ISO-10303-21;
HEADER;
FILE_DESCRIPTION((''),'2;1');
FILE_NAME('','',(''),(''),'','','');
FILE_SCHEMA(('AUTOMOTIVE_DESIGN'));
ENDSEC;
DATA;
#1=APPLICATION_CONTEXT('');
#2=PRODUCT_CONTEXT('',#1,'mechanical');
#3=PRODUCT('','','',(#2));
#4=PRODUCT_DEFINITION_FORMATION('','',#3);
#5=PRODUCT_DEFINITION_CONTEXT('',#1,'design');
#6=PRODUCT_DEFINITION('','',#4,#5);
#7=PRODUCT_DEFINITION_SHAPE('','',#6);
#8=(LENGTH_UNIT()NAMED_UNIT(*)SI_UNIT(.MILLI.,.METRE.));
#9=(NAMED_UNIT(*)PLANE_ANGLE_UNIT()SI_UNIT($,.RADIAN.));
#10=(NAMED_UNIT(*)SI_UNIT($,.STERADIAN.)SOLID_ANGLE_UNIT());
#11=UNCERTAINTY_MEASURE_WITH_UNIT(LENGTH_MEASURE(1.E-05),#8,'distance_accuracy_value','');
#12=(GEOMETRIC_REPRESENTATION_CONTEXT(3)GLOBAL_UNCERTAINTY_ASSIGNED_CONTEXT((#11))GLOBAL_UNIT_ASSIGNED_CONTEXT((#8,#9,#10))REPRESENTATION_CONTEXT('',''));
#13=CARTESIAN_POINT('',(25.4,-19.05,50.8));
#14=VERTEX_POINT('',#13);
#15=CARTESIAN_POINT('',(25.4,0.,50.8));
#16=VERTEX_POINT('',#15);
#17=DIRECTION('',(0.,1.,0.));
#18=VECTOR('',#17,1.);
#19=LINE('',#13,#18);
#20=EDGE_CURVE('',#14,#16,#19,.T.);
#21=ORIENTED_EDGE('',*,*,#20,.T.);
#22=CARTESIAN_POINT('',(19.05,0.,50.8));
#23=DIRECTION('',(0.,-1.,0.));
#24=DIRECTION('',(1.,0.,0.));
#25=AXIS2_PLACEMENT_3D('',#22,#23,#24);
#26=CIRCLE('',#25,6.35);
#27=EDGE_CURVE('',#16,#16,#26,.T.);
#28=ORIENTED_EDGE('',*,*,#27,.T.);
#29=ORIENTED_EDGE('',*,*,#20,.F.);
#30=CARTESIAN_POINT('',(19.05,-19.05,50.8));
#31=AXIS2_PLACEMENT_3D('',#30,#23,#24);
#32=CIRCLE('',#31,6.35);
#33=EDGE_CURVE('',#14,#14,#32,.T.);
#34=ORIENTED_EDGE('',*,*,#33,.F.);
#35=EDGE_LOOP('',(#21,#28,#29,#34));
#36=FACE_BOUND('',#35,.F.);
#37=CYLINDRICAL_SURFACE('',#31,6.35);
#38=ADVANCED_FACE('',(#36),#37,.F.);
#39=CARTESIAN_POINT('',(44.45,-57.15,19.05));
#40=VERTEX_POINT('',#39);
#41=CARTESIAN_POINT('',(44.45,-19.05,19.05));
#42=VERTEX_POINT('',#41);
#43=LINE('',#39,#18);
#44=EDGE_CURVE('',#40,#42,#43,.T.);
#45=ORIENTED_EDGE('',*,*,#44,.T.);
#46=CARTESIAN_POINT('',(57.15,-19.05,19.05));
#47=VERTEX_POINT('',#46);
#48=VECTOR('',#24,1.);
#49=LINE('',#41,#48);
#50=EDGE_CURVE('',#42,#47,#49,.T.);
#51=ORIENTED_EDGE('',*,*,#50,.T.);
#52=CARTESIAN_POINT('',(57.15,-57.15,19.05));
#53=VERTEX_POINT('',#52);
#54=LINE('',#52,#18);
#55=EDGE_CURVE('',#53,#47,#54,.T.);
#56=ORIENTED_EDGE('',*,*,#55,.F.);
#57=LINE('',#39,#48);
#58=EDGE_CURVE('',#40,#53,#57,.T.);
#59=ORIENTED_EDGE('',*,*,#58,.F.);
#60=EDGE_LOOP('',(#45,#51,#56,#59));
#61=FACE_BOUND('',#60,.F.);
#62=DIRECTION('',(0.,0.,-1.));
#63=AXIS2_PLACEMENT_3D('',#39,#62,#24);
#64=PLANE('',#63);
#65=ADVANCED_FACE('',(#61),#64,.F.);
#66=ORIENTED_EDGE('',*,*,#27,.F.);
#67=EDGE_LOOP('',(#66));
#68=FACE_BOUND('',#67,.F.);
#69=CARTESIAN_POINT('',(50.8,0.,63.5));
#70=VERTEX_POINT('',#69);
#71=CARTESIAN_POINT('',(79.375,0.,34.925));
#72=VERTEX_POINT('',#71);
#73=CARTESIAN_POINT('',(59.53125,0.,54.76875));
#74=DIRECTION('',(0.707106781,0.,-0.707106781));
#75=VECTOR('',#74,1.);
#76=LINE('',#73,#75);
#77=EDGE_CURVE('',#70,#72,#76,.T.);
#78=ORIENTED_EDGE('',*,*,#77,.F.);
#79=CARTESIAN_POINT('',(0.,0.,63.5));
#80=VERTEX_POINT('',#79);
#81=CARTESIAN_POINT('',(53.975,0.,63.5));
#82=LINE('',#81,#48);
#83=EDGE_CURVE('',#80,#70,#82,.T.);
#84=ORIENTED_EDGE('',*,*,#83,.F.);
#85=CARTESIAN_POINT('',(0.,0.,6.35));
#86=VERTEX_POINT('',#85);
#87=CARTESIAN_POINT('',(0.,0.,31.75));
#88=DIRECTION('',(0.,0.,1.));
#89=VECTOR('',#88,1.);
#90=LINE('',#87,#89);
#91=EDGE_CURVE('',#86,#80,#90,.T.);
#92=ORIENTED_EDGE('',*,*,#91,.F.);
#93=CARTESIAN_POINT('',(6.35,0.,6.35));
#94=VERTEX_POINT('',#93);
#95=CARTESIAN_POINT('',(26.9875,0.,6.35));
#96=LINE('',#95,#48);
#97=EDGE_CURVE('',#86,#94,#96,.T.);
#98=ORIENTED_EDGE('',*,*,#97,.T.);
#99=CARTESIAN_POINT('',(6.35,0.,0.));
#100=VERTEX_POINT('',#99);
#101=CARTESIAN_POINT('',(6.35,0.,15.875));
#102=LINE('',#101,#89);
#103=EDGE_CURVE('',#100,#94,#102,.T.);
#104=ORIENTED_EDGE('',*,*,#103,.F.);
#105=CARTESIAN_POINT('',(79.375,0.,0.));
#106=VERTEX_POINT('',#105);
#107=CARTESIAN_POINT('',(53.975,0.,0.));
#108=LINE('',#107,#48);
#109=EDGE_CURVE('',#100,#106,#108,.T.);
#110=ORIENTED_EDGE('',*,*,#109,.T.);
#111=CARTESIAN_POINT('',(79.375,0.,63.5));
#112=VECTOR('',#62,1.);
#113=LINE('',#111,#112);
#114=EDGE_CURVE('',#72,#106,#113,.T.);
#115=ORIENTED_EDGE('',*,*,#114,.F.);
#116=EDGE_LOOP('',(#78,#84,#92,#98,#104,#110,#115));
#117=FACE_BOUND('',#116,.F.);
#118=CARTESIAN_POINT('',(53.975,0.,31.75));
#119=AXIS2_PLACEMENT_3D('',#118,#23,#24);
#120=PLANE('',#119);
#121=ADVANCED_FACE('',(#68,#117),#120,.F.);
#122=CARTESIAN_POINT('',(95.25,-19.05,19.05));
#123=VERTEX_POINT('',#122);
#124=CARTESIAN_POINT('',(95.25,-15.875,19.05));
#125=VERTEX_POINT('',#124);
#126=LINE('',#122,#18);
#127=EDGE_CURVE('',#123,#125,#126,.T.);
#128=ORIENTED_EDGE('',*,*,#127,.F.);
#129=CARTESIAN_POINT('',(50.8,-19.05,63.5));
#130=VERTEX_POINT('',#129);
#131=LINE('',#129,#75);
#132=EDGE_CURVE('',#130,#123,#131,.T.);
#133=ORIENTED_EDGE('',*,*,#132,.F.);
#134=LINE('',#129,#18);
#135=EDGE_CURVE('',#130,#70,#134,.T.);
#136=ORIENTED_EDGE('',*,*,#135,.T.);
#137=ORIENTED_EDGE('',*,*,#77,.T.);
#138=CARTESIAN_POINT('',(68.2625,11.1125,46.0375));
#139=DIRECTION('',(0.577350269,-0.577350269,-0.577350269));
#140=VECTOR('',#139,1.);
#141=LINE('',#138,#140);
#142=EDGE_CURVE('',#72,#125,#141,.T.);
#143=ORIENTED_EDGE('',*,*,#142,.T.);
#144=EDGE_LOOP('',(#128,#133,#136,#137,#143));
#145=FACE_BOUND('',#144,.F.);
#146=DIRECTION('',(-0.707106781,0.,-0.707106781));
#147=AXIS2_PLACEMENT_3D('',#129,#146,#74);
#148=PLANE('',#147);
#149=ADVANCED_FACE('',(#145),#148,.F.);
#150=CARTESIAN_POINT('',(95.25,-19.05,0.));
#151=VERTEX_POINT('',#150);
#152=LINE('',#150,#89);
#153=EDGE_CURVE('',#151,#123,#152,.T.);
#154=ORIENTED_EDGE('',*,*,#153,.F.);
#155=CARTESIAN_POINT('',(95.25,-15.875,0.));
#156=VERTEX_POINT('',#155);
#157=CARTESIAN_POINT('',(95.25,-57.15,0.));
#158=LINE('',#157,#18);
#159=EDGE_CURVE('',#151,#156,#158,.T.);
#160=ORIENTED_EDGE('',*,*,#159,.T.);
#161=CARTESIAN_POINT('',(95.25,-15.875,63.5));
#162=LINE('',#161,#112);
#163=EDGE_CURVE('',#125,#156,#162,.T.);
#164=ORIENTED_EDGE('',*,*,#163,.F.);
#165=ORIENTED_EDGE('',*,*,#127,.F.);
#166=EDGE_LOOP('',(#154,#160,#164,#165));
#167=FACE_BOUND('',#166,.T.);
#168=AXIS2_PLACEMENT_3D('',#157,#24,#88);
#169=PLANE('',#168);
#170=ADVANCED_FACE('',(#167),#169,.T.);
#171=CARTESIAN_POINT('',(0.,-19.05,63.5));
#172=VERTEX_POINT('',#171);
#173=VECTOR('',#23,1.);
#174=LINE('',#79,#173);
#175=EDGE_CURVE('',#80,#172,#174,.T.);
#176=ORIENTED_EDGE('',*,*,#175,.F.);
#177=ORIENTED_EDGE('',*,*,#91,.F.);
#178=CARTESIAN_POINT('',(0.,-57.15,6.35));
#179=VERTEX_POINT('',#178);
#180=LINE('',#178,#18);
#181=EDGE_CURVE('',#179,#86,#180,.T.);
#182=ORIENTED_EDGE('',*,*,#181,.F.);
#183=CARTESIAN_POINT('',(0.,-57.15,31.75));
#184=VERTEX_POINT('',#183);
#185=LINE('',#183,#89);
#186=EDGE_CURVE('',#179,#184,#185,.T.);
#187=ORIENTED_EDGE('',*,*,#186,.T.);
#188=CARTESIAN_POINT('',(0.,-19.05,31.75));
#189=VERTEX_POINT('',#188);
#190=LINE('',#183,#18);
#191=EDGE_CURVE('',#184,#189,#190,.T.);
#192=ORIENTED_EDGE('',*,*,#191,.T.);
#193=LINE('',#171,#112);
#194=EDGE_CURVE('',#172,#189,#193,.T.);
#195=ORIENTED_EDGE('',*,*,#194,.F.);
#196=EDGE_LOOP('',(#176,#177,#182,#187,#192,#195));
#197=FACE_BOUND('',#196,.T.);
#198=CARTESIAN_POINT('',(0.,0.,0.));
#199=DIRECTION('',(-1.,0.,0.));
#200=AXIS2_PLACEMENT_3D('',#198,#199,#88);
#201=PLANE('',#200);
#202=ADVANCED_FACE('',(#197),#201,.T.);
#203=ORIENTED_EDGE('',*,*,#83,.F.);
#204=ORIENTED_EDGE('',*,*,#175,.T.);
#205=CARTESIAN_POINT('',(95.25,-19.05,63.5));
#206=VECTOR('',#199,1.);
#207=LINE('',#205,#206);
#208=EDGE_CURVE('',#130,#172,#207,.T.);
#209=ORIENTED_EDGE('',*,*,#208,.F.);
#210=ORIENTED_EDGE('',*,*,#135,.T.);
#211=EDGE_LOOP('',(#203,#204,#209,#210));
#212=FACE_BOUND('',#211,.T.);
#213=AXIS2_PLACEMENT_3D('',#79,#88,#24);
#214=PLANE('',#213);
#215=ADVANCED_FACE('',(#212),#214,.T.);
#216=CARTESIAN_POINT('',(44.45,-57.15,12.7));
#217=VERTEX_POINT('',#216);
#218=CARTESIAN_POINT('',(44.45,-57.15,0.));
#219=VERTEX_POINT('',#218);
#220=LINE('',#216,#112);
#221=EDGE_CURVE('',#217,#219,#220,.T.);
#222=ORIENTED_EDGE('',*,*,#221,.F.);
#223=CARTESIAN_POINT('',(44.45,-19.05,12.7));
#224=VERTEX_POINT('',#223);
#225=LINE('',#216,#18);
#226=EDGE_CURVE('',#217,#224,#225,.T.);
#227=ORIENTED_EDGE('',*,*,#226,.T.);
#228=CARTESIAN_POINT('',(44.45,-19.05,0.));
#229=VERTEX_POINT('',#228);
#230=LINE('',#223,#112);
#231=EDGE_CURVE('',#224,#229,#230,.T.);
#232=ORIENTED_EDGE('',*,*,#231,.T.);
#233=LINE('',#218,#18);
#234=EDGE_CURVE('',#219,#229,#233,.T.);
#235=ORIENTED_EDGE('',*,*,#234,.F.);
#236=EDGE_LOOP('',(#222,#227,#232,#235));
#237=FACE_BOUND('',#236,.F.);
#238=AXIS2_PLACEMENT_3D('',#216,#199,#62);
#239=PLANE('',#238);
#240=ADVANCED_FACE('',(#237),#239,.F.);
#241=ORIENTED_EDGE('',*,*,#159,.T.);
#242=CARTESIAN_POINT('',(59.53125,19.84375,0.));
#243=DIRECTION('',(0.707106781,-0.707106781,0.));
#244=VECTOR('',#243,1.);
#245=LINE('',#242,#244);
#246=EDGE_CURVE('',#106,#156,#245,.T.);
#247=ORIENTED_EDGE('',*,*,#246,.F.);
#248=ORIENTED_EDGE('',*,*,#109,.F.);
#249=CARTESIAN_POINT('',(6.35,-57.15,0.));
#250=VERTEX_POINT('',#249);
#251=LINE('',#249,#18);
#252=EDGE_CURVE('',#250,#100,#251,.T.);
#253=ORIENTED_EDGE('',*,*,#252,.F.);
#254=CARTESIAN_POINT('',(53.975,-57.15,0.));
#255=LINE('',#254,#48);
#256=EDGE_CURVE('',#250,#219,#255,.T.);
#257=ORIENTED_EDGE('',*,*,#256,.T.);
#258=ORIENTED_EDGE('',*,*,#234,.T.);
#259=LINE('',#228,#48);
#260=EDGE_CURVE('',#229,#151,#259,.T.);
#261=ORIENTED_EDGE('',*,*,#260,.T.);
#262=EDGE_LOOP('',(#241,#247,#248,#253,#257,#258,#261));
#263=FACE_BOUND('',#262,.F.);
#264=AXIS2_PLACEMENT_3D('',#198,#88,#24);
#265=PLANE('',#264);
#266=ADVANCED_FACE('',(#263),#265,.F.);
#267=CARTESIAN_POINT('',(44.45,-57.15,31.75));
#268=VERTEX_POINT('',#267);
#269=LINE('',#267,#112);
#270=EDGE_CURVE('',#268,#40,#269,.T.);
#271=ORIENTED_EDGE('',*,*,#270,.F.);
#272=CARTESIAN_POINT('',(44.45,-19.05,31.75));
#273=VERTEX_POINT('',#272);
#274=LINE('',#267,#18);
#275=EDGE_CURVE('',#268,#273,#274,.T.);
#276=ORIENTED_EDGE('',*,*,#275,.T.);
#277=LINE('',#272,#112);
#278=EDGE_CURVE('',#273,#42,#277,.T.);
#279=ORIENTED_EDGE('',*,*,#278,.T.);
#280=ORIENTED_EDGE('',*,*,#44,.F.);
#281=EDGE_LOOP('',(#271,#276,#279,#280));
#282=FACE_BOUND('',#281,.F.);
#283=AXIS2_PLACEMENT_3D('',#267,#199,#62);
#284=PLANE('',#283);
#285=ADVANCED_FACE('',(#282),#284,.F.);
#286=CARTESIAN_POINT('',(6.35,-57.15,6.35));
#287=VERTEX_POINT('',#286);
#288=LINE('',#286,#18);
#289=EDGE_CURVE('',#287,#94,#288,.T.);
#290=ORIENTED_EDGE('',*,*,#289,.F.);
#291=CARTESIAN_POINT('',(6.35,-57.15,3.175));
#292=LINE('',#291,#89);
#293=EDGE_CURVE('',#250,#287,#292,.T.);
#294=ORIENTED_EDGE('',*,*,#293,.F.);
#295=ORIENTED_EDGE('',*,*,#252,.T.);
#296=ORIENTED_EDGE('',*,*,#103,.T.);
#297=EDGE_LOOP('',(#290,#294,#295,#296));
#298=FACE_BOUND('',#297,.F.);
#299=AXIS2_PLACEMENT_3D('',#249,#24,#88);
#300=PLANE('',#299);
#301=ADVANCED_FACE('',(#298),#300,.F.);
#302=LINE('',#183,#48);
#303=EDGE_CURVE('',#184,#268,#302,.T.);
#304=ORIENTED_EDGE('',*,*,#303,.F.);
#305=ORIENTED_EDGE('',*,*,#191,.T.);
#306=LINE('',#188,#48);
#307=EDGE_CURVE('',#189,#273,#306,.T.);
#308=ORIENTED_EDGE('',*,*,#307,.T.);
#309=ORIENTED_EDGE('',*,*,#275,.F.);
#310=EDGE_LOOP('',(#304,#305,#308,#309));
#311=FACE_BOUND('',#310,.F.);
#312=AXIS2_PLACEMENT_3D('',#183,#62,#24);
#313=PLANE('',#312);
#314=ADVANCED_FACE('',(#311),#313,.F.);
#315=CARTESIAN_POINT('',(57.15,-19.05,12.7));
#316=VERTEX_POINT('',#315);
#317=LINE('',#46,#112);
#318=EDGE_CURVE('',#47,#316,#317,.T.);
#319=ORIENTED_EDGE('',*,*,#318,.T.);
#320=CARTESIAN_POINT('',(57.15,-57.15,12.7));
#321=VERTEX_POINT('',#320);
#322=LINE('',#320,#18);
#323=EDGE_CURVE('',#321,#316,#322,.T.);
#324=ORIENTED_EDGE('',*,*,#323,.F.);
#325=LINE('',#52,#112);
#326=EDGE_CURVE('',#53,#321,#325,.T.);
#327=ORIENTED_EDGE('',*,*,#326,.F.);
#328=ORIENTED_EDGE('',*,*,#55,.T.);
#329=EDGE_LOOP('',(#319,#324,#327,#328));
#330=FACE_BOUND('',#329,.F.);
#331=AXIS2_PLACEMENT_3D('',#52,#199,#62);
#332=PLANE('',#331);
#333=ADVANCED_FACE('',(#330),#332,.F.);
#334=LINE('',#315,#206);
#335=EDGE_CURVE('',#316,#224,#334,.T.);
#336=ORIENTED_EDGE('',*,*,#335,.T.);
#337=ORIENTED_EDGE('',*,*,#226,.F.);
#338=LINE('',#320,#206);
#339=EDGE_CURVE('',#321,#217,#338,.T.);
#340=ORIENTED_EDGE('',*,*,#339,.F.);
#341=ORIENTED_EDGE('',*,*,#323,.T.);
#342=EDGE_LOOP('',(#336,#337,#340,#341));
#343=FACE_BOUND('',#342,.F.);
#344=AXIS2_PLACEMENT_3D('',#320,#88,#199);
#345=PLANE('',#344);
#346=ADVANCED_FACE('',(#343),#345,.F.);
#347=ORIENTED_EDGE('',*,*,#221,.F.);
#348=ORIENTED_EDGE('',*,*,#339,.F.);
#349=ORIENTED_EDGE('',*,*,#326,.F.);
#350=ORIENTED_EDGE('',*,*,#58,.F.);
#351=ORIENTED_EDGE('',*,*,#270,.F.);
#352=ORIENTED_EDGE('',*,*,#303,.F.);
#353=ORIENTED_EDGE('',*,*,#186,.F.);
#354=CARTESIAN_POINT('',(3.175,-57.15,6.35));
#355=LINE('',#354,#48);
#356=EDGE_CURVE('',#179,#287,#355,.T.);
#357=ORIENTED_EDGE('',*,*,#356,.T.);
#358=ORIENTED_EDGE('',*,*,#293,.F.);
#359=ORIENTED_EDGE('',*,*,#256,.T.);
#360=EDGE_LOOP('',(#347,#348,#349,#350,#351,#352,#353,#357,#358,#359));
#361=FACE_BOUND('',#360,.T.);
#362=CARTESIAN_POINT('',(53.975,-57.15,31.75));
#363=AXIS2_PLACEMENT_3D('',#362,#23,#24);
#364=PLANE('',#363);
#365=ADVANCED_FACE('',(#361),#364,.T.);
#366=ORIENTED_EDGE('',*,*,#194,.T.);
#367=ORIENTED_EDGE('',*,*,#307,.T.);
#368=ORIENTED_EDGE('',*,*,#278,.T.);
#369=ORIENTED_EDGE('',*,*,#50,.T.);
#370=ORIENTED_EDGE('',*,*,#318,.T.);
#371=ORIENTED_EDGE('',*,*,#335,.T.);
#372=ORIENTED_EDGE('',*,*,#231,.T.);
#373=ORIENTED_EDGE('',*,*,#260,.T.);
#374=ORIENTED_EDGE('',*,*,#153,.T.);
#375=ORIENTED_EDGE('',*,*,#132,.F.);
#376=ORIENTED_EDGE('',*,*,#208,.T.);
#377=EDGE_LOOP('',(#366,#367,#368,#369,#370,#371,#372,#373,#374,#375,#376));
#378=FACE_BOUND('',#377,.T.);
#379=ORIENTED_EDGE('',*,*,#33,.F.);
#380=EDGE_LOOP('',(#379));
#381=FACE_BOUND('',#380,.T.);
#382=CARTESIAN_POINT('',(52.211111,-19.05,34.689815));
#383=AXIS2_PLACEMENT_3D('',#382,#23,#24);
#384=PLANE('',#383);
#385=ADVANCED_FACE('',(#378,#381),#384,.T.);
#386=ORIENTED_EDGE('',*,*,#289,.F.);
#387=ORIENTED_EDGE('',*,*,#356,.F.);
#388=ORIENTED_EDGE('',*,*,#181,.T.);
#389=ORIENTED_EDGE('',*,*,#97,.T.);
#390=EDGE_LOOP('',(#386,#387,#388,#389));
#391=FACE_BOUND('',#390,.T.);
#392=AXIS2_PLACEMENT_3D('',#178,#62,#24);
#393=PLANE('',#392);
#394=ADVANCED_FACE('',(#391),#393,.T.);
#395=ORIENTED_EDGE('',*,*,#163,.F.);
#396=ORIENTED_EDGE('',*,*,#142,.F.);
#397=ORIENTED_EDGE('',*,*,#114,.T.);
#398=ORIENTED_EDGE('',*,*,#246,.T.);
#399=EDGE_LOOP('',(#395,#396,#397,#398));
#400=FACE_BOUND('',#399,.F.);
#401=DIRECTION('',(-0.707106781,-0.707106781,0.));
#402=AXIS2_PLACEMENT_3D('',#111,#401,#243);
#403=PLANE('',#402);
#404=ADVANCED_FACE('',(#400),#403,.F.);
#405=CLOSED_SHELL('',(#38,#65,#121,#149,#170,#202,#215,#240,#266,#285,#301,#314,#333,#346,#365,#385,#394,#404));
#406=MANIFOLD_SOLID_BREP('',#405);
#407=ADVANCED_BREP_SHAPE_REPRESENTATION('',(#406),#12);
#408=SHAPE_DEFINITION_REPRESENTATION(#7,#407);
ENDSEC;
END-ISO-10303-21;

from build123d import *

# Parameters (mm, degrees)
F0_W      = 107.95
F0_H      = 63.5
F1_DEPTH  = 57.15
F2_W      = 6.35
F2_H      = 6.35
F3_DEPTH  = 57.151
F4_W      = 12.7
F4_H      = 63.5
F5_DEPTH  = 57.151
F7_DEPTH  = 63.501
F9_DEPTH  = 38.1
F11_DEPTH = 25.4
F12_R     = 6.35
F13_DEPTH = 25.4


with BuildPart() as f1:
    # F0 (on Front) → F1 (new body)
    with BuildSketch(Plane.XZ):
        with Locations((53.975, 31.75)):
            Rectangle(F0_W, F0_H)
    extrude(amount=F1_DEPTH)

    # F2 (on face) → F3 (cut, through all)
    with BuildSketch(Plane.XZ.offset(57.15)):
        with Locations((3.175, 3.175)):
            Rectangle(F2_W, F2_H)
    extrude(amount=-F3_DEPTH, mode=Mode.SUBTRACT)

    # F4 (on face) → F5 (cut, through all)
    with BuildSketch(Plane.XZ.offset(57.15)):
        with Locations((101.6, 31.75)):
            Rectangle(F4_W, F4_H)
    extrude(amount=-F5_DEPTH, mode=Mode.SUBTRACT)

    # F6 (on face) → F7 (cut, through all)
    with BuildSketch(Plane.XY.offset(63.5)):
        Polygon((95.25, -15.875), (95.25, 0), (79.375, 0), align=None)
    extrude(amount=-F7_DEPTH, mode=Mode.SUBTRACT)

    # F8 (on face) → F9 (cut)
    with BuildSketch(Plane.XZ.offset(57.15)):
        Polygon((95.25, 63.5), (0, 63.5), (0, 31.75), (44.45, 31.75), (44.45, 19.05), (57.15, 19.05), (57.15, 12.7), (44.45, 12.7), (44.45, 0), (95.25, 0), align=None)
    extrude(amount=-F9_DEPTH, mode=Mode.SUBTRACT)

    # F10 (on face) → F11 (cut)
    with BuildSketch(Plane.XZ.offset(19.05)):
        Polygon((95.25, 19.05), (95.25, 63.5), (50.8, 63.5), align=None)
    extrude(amount=-F11_DEPTH, mode=Mode.SUBTRACT)

    # F12 (on face) → F13 (cut)
    with BuildSketch(Plane.XZ.offset(19.05)):
        with Locations((19.05, 50.8)):
            Circle(F12_R)
    extrude(amount=-F13_DEPTH, mode=Mode.SUBTRACT)


solid = f1.part
